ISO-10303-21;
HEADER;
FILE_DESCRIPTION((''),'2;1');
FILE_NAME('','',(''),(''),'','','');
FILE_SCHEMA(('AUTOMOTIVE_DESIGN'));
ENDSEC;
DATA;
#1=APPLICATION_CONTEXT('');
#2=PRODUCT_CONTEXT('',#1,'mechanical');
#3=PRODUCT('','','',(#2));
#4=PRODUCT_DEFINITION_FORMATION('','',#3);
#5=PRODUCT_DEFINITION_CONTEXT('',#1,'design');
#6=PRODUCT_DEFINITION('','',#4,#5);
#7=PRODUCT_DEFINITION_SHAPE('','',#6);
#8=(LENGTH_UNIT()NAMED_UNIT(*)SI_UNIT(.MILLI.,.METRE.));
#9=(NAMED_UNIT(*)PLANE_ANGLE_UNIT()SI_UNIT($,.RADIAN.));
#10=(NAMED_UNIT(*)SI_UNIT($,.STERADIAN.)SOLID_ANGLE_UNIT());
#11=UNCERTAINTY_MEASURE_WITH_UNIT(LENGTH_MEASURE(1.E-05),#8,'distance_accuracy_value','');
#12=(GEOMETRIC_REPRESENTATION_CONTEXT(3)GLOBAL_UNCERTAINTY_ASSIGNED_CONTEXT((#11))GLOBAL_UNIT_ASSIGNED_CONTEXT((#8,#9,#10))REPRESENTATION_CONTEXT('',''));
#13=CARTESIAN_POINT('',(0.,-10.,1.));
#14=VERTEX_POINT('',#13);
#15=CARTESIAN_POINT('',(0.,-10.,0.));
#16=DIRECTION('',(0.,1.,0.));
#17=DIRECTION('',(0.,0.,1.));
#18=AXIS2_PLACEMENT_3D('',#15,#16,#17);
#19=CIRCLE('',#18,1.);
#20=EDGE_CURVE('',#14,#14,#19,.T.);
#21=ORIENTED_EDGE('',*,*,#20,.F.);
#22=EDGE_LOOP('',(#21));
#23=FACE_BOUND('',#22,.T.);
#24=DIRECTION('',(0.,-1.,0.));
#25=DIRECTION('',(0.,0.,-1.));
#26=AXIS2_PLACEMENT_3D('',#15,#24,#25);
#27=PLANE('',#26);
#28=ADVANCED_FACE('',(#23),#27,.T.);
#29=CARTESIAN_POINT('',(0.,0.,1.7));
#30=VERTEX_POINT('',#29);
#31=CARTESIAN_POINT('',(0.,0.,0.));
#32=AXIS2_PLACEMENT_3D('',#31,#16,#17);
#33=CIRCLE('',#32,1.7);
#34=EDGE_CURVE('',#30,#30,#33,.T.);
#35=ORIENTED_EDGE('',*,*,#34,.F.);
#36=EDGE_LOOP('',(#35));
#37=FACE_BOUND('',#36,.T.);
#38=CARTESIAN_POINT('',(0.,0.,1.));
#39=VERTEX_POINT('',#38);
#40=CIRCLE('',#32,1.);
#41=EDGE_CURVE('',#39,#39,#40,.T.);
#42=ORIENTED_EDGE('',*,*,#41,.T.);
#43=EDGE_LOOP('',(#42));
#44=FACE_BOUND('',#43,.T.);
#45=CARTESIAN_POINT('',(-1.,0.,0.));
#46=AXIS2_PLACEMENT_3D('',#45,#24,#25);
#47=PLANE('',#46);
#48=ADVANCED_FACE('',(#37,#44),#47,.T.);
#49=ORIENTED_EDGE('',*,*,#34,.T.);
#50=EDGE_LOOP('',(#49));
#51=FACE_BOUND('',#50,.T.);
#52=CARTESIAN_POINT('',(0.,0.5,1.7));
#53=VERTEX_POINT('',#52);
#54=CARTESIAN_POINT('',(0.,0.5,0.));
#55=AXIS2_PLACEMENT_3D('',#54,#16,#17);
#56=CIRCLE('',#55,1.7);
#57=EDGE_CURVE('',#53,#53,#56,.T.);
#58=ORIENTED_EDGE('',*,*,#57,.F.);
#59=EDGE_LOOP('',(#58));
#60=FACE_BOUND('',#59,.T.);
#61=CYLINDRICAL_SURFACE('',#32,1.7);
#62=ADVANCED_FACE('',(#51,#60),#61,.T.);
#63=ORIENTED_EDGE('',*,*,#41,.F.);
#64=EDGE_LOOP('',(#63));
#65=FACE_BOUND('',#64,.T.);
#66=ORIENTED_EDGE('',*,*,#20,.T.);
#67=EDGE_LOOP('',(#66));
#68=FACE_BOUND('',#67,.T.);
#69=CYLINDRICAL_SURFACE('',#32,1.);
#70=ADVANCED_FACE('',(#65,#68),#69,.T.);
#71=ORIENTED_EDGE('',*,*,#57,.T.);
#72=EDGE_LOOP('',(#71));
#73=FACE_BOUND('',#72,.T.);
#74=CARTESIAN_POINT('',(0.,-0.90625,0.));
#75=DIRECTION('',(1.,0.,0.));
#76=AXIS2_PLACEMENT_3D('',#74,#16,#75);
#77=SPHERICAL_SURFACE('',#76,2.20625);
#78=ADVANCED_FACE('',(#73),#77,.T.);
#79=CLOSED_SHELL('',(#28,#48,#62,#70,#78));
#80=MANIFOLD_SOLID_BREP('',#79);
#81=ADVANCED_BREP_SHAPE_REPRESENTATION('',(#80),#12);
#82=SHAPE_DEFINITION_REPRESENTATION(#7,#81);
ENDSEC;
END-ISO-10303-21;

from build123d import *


with BuildPart() as part:
    # Sketch1 → Revolve1 (revolve)
    with BuildSketch(Plane.XY):
        with BuildLine():
            Line((-1, 0), (-1.7, 0))
            Line((-1.7, 0), (-1.7, 0.5))
            ThreePointArc((-1.7, 0.5), (-0.939414711, 1.090006262), (0, 1.3))
            Line((0, 1.3), (0, 0))
            Line((0, 0), (0, -10))
            Line((0, -10), (-1, -10))
            Line((-1, -10), (-1, 0))
        make_face()
    revolve(axis=Axis((0, 0, 0), (0, -1, 0)))


solid = part.part
